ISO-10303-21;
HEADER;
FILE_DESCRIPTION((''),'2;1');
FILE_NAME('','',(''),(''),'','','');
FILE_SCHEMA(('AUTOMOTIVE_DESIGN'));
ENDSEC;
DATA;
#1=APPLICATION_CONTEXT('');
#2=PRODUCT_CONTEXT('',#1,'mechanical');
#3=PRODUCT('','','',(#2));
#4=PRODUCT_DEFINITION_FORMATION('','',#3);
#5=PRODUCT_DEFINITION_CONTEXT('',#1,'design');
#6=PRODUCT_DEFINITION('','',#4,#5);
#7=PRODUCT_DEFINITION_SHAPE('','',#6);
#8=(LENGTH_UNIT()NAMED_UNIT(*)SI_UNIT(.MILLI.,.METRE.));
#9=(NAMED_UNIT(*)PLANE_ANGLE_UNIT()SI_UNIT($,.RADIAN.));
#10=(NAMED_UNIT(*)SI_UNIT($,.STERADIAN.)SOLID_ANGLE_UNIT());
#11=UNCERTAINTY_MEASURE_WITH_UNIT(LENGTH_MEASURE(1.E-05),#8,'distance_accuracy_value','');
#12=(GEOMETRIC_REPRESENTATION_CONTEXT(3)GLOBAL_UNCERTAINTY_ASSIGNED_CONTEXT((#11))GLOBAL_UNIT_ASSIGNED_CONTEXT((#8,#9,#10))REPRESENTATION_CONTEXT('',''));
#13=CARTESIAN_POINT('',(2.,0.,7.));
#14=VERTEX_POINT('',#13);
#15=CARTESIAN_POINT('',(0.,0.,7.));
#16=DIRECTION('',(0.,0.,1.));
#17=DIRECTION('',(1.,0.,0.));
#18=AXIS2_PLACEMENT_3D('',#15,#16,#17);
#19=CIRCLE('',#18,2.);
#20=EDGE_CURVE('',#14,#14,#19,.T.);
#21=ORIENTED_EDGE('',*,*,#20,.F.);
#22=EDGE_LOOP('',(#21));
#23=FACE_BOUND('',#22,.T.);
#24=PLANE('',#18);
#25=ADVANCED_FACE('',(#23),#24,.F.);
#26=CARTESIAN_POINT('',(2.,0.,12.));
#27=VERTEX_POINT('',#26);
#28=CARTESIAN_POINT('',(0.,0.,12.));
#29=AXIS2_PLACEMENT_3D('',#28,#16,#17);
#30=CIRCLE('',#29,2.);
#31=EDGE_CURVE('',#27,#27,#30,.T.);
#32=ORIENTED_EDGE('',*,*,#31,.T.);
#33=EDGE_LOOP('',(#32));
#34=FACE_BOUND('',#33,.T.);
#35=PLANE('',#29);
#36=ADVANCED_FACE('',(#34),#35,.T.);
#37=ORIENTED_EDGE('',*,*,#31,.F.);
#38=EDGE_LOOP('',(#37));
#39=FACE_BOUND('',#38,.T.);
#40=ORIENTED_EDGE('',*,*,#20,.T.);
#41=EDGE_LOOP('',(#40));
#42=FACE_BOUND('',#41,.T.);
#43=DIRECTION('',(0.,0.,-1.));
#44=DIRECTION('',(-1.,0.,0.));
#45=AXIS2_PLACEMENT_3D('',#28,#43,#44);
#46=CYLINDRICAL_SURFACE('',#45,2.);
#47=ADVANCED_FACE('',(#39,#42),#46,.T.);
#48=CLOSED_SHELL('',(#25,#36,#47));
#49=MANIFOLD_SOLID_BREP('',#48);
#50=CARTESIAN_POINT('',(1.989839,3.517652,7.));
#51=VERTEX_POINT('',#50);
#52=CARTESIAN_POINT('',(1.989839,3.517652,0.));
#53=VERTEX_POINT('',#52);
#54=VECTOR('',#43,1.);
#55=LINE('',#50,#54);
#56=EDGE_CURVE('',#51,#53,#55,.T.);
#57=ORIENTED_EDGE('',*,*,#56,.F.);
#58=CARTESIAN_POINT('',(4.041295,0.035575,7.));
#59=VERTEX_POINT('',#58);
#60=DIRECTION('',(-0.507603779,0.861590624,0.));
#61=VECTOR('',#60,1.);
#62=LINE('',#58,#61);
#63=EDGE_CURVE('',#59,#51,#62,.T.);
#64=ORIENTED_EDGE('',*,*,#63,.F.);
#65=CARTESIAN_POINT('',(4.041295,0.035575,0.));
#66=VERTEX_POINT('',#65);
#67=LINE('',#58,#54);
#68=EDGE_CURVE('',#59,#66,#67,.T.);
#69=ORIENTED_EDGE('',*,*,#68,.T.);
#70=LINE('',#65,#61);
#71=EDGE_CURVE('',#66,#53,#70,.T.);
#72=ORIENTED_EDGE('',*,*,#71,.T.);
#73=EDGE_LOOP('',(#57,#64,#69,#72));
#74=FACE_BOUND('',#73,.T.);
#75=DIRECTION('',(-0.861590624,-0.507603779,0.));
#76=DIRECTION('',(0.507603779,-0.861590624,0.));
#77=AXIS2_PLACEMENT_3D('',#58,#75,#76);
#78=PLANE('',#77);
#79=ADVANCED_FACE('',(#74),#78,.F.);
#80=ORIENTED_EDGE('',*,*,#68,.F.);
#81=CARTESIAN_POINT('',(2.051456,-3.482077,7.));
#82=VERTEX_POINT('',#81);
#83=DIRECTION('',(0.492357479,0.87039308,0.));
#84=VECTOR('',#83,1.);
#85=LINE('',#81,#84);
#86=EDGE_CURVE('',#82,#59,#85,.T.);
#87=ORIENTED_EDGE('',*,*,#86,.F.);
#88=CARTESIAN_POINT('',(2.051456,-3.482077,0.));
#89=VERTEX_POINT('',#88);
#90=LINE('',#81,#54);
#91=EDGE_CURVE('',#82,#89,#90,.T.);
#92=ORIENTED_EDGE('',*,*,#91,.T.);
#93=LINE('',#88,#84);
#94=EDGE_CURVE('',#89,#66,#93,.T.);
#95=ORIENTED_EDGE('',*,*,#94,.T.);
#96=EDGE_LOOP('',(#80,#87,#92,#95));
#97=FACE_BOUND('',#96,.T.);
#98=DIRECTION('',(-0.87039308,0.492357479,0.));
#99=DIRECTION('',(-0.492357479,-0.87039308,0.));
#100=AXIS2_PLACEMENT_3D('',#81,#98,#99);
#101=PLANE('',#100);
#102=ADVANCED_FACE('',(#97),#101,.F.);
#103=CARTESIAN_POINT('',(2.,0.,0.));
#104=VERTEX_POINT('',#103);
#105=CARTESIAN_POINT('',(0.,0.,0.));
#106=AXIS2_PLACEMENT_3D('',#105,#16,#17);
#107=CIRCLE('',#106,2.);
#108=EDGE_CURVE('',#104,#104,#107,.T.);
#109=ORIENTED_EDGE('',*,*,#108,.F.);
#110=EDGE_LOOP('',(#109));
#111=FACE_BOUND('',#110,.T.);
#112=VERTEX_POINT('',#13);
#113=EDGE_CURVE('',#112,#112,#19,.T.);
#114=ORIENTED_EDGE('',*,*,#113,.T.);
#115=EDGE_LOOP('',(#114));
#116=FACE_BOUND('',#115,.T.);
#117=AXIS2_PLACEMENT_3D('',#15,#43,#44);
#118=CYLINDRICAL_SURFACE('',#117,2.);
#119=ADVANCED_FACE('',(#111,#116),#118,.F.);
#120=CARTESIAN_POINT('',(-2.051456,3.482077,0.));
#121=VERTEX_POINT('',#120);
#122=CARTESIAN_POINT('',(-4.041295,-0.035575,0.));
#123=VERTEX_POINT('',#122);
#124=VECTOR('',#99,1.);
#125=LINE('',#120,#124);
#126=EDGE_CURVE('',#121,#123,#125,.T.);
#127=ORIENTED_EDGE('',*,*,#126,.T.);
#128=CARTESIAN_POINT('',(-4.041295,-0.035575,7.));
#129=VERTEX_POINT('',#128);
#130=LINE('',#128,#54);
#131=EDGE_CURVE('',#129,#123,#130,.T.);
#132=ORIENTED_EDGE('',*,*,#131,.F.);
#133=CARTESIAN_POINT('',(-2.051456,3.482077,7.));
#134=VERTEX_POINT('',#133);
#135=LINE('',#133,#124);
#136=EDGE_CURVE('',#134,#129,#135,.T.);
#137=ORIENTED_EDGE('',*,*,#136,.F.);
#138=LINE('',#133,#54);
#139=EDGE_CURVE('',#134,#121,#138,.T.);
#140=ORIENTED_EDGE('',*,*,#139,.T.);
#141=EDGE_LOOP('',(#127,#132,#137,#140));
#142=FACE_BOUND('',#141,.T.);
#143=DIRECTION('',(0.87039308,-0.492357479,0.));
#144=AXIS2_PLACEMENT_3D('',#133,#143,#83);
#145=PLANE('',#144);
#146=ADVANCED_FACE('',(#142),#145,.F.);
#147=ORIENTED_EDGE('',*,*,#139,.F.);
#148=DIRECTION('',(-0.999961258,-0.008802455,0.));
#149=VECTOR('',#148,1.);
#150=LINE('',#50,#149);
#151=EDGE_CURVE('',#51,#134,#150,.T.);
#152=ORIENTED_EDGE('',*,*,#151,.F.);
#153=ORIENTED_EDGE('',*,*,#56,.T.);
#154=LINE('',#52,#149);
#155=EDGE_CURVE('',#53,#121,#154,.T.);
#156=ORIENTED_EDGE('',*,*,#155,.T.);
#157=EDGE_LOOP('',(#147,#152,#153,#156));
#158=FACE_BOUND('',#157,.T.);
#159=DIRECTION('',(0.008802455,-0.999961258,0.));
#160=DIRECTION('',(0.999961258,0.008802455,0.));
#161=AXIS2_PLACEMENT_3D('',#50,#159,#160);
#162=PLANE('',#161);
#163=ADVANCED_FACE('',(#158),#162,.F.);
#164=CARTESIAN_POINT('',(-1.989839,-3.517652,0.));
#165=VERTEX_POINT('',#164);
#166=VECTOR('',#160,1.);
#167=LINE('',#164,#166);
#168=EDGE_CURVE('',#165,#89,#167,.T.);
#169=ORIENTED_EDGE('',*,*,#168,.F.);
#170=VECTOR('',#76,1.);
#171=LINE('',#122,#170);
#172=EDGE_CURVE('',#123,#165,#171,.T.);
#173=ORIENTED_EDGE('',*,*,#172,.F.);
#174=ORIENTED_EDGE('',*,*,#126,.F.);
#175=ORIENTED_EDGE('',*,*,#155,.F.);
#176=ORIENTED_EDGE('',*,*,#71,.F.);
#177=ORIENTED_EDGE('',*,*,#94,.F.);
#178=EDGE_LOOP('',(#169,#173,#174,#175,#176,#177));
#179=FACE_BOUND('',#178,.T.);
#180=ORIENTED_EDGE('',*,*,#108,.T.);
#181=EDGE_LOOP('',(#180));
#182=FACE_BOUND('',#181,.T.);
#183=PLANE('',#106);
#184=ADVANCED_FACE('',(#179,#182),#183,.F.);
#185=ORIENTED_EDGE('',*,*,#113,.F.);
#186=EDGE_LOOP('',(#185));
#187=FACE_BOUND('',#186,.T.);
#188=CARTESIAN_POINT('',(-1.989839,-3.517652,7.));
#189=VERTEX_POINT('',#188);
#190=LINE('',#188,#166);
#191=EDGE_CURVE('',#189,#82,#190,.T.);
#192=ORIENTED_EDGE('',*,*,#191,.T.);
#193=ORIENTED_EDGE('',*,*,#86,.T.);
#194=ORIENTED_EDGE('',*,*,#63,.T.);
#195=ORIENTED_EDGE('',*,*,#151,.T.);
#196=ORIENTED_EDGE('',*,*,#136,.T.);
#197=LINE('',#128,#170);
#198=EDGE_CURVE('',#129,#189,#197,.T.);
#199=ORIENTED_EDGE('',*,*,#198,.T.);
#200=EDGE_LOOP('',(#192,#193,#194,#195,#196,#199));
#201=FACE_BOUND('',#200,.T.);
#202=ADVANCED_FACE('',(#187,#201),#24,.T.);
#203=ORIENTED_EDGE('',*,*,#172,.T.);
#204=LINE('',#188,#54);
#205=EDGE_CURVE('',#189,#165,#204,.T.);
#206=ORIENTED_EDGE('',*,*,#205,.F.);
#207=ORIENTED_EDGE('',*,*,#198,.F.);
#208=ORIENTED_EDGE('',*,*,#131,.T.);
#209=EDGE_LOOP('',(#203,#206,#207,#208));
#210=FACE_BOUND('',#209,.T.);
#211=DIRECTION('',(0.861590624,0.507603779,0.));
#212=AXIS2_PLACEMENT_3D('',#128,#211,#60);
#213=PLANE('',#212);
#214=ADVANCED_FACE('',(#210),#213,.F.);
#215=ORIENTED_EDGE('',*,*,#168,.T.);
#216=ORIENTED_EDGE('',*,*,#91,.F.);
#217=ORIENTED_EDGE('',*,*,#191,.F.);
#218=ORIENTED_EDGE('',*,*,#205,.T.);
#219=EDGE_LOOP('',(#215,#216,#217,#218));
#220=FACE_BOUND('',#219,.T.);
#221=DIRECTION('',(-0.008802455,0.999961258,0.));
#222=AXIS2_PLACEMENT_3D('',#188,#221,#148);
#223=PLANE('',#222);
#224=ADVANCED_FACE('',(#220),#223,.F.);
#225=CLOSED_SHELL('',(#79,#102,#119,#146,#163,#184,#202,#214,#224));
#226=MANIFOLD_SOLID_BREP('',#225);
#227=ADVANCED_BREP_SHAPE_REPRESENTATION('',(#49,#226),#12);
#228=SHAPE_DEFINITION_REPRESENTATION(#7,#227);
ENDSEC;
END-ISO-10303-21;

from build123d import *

# Parameters (mm, degrees)
SKETCH_1_R      = 2
EXTRUDE_1_DEPTH = 7
SKETCH_3_R      = 2
EXTRUDE_2_DEPTH = 5


with BuildPart() as part:
    # 草图1 → 凸台-拉伸1 (new body)
    with BuildSketch(Plane.XY):
        Polygon((2.051456248, -3.482077052), (4.041295309, 0.035574699), (1.989839061, 3.517651751), (-2.051456248, 3.482077052), (-4.041295309, -0.035574699), (-1.989839061, -3.517651751), align=None)
        Circle(SKETCH_1_R, mode=Mode.SUBTRACT)
    extrude(amount=EXTRUDE_1_DEPTH)


with BuildPart() as body_2:
    # 草图3 → 凸台-拉伸2 (new body)
    with BuildSketch(Plane.XY.offset(7)):
        Circle(SKETCH_3_R)
    extrude(amount=EXTRUDE_2_DEPTH)


solid = Compound([part.part, body_2.part])
